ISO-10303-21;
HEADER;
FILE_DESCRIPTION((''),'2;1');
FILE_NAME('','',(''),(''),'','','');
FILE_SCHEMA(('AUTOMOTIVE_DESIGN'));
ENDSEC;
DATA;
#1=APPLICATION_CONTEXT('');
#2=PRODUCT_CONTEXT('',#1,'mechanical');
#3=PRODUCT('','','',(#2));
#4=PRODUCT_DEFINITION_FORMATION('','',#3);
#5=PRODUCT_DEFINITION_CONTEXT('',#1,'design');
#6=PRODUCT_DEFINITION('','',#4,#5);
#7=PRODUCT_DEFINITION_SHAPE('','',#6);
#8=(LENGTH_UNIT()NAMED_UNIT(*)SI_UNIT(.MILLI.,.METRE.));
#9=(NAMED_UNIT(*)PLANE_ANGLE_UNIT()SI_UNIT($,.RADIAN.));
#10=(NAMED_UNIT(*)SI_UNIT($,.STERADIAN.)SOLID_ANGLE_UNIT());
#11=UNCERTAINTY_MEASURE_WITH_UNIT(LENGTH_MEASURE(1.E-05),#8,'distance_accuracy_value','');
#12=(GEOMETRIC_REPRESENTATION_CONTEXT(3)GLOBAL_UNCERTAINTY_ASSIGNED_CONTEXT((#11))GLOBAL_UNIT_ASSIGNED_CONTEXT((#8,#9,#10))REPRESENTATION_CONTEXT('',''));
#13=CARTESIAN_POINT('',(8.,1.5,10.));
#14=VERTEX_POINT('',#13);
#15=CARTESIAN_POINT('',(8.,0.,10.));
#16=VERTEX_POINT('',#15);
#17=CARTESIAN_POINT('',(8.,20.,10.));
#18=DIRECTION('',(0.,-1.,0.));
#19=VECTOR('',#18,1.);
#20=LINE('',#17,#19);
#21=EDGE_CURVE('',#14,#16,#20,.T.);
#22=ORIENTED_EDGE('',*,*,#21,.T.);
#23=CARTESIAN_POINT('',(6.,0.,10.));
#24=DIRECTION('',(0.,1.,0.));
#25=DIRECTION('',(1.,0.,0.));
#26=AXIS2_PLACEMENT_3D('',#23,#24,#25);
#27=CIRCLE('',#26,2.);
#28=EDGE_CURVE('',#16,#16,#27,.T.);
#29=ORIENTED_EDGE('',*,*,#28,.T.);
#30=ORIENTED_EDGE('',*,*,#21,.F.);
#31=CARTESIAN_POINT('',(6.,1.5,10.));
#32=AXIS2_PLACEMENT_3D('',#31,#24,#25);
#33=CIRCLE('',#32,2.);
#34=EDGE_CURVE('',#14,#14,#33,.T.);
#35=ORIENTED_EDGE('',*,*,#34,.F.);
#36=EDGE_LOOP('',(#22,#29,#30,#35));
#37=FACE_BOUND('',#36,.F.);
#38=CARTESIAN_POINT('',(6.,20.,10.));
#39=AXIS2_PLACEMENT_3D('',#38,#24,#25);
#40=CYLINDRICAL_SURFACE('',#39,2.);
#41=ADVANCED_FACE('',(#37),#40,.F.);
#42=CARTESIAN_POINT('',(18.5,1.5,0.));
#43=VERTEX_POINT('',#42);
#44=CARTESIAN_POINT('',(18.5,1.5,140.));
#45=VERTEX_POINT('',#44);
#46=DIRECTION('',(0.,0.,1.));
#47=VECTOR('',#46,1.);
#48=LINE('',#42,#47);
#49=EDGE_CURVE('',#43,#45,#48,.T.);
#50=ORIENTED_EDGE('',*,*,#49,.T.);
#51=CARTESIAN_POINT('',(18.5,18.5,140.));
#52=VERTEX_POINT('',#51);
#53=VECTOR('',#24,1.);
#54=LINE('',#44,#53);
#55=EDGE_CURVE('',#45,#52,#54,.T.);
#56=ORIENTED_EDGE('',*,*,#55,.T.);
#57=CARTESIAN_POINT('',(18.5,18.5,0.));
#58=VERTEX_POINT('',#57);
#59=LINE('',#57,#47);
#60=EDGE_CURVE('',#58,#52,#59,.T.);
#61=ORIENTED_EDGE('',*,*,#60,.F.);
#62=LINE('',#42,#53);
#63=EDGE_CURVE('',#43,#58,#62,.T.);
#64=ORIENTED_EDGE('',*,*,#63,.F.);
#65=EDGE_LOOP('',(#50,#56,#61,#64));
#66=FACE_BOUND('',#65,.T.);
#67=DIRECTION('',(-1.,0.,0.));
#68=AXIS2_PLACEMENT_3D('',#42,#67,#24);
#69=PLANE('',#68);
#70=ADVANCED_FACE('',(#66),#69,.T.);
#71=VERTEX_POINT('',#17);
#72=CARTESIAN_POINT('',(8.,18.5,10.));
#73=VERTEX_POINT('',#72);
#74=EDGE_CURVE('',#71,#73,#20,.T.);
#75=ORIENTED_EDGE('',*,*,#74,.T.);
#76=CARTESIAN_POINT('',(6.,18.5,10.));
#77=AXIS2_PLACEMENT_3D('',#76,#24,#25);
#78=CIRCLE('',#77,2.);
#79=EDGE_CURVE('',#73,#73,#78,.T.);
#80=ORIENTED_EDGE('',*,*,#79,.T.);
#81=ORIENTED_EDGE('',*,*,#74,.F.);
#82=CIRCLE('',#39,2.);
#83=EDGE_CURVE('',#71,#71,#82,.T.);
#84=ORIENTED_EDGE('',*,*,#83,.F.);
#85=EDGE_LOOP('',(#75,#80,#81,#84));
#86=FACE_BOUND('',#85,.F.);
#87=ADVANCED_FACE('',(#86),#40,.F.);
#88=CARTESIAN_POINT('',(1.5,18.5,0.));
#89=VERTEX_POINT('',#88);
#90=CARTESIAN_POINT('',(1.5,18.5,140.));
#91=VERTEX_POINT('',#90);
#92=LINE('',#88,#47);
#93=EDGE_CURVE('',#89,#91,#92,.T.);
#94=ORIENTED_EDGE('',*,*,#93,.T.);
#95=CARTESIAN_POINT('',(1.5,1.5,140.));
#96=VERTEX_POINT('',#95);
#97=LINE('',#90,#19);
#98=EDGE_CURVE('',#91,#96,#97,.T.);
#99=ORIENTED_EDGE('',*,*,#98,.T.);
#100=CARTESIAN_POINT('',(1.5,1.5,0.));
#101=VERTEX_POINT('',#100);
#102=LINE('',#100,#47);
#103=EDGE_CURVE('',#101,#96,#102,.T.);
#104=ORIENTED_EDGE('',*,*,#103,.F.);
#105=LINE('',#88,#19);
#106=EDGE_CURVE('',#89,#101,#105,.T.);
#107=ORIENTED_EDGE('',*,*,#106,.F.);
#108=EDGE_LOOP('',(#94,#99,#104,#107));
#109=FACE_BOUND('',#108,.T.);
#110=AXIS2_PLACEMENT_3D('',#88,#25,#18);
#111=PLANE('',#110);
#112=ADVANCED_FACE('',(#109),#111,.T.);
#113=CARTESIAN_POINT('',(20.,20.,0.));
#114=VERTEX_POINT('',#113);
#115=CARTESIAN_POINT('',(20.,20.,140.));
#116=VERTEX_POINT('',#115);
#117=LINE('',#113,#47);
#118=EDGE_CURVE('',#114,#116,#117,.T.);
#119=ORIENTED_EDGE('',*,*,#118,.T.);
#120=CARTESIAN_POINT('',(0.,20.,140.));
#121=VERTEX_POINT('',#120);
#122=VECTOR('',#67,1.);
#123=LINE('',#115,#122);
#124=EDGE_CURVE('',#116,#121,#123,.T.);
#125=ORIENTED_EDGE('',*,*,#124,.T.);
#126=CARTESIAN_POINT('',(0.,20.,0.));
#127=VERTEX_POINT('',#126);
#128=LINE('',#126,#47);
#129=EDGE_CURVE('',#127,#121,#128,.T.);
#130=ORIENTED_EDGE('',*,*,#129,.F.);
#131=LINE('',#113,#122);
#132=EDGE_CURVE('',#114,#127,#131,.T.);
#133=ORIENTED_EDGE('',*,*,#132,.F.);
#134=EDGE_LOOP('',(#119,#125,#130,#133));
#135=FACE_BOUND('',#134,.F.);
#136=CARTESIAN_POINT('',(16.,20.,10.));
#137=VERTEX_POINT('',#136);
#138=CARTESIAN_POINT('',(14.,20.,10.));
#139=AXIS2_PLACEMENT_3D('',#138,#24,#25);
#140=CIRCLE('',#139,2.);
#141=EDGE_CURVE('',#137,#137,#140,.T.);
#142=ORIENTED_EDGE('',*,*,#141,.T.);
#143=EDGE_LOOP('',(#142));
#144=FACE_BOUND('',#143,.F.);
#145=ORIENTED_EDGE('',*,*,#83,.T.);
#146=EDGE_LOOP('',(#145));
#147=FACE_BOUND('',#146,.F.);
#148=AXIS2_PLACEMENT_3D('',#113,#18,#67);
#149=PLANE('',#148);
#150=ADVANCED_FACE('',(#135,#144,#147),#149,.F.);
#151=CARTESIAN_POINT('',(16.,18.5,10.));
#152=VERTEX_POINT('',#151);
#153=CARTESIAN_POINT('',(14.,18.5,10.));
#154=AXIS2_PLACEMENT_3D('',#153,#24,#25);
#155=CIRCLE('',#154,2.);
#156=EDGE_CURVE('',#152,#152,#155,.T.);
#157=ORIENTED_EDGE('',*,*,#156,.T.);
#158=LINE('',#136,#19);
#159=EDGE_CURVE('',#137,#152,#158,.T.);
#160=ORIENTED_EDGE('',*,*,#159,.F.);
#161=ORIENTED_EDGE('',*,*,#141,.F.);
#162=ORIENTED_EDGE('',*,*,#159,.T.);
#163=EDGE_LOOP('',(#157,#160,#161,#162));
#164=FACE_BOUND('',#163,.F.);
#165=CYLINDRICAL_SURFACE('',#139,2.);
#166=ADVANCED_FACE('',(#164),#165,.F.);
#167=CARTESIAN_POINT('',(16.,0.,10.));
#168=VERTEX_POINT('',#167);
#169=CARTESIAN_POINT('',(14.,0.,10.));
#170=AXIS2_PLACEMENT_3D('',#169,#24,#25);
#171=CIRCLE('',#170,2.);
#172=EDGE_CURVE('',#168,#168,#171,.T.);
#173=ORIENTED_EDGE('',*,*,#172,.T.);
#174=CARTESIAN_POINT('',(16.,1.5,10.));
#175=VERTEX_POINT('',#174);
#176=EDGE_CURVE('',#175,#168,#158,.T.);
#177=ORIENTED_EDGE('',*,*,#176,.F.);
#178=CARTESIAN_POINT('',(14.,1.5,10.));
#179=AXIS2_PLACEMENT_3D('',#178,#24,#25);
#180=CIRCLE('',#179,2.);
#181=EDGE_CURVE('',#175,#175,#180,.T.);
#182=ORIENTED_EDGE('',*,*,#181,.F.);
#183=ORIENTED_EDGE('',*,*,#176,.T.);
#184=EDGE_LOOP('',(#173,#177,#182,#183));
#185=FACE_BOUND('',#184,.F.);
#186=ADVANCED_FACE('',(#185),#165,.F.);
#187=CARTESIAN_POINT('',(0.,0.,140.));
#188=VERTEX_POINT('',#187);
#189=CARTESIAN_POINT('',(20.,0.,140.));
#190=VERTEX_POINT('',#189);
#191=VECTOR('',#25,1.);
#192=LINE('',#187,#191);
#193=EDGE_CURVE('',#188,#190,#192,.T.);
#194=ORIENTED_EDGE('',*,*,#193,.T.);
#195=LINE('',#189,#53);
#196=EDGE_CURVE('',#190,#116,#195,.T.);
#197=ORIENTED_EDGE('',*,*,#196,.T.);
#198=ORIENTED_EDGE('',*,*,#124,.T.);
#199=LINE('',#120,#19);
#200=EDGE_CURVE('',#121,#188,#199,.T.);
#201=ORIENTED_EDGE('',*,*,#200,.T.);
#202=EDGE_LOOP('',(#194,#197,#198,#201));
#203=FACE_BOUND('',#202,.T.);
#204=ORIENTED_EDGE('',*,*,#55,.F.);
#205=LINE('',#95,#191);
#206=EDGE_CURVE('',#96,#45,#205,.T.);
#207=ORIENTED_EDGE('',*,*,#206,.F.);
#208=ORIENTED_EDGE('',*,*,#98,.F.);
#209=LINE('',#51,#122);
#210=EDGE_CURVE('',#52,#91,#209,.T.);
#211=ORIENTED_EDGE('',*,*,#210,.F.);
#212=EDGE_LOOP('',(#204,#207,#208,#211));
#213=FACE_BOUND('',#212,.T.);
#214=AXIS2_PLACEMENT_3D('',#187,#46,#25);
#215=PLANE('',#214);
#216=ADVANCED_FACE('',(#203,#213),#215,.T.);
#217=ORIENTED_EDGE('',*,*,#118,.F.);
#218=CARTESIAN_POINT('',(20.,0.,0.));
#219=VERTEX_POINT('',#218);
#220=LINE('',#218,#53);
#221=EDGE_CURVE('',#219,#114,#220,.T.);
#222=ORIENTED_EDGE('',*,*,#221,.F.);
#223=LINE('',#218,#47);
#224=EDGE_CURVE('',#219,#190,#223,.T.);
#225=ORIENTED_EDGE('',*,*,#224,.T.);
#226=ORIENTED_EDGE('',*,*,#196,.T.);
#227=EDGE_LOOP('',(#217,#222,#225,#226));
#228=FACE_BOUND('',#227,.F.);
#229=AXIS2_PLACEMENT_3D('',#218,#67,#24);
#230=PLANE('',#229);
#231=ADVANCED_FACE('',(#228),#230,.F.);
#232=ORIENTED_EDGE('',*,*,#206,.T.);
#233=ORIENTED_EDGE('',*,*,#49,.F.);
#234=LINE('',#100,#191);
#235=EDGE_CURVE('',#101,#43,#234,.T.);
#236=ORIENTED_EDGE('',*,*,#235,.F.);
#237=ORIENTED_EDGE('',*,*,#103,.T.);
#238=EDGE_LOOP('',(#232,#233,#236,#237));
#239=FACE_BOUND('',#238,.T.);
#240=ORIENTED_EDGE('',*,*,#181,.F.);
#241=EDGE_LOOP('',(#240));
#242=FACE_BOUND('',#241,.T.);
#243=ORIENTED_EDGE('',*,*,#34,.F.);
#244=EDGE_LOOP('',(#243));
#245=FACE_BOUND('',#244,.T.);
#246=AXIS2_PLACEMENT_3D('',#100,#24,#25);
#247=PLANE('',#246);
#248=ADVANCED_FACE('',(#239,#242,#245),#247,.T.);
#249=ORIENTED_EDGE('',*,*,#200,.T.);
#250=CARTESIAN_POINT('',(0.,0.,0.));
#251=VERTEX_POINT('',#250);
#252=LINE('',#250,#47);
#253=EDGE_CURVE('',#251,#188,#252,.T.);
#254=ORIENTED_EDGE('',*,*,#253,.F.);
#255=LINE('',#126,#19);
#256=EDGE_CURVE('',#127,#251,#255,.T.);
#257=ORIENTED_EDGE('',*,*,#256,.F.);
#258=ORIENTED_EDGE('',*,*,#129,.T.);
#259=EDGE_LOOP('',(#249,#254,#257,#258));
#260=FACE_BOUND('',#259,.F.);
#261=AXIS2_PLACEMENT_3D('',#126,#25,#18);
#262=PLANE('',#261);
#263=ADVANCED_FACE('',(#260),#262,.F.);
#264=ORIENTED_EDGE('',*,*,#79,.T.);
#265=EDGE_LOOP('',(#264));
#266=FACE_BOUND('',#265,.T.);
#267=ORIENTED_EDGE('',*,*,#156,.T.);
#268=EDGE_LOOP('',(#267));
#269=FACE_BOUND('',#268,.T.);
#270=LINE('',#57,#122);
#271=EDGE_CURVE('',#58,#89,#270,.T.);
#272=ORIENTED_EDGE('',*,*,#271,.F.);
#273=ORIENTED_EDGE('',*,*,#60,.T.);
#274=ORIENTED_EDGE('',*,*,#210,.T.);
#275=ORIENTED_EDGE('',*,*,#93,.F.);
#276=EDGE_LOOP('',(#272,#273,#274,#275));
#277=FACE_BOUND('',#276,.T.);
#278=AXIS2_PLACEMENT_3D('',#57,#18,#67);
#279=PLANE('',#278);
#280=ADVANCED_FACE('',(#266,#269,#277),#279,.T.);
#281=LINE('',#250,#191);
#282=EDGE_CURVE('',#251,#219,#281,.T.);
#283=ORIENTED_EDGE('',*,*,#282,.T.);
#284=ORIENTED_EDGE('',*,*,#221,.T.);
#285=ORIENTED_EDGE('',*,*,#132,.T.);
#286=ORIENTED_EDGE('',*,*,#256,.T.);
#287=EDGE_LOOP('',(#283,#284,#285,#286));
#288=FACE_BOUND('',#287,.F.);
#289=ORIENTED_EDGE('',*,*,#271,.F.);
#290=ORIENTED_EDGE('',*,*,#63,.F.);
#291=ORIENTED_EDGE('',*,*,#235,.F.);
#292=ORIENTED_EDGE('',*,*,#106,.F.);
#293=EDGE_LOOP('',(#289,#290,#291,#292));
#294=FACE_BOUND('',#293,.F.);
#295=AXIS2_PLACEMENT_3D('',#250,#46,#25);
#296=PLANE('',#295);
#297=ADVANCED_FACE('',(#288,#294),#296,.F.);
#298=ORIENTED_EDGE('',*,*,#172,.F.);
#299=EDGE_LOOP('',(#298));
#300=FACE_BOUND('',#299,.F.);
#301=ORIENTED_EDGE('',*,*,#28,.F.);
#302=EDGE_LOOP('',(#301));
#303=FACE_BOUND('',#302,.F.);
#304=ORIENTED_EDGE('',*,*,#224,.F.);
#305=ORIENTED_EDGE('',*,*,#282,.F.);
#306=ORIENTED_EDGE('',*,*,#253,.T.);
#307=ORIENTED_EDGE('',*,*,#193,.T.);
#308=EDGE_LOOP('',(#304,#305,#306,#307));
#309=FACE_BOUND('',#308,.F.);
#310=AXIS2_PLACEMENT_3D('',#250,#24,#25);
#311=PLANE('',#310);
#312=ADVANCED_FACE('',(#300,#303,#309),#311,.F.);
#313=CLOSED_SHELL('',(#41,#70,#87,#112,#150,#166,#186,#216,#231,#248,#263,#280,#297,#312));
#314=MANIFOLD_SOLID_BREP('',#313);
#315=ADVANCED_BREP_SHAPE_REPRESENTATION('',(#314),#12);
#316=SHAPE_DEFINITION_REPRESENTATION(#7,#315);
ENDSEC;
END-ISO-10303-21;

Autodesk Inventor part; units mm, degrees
ref_plane "YZ Plane" through (0, 0, 0) normal (1, 0, 0) x (0, 1, 0)
ref_plane "XZ Plane" through (0, 0, 0) normal (0, 1, 0) x (-1, 0, 0)
ref_plane "XY Plane" through (0, 0, 0) normal (0, 0, 1) x (1, 0, 0)
sketch "Эскиз1" plane through (0, 0, 0) normal (0, 0, 1) x (1, 0, 0)
  line L0 (0, 0) -> (20, 0)
  line L1 (20, 0) -> (20, 20)
  line L2 (20, 20) -> (0, 20)
  line L3 (0, 20) -> (0, 0)
  line L4 (1.5, 1.5) -> (18.5, 1.5)
  line L5 (18.5, 1.5) -> (18.5, 18.5)
  line L6 (18.5, 18.5) -> (1.5, 18.5)
  line L7 (1.5, 18.5) -> (1.5, 1.5)
  point P0 (10, 18.5)
  point P1 (10, 20)
  point P2 (18.5, 10)
  point P3 (20, 10)
  dimension "d0" = 20
  dimension "d1" = 1.5
extrude "Выдавливание1" add sketch "Эскиз1" along normal blind 140
sketch "Эскиз2" plane through (0, 20, 0) normal (0, 1, 0) x (1, 0, 0)
  circle A0 centre (6, -10) radius 2
  circle A1 centre (14, -10) radius 2
  line L0 (14, -10) -> (6, -10) construction
  line L1 (20, 0) -> (0, 0) construction
  point P0 (10, -10)
  point P1 (10, 0)
  dimension "d4" = 10
  dimension "d5" = 4
  dimension "d8" = 8
extrude "Выдавливание2" cut sketch "Эскиз2" against normal through all
properties part number "1" material "Алюминий 6061"
